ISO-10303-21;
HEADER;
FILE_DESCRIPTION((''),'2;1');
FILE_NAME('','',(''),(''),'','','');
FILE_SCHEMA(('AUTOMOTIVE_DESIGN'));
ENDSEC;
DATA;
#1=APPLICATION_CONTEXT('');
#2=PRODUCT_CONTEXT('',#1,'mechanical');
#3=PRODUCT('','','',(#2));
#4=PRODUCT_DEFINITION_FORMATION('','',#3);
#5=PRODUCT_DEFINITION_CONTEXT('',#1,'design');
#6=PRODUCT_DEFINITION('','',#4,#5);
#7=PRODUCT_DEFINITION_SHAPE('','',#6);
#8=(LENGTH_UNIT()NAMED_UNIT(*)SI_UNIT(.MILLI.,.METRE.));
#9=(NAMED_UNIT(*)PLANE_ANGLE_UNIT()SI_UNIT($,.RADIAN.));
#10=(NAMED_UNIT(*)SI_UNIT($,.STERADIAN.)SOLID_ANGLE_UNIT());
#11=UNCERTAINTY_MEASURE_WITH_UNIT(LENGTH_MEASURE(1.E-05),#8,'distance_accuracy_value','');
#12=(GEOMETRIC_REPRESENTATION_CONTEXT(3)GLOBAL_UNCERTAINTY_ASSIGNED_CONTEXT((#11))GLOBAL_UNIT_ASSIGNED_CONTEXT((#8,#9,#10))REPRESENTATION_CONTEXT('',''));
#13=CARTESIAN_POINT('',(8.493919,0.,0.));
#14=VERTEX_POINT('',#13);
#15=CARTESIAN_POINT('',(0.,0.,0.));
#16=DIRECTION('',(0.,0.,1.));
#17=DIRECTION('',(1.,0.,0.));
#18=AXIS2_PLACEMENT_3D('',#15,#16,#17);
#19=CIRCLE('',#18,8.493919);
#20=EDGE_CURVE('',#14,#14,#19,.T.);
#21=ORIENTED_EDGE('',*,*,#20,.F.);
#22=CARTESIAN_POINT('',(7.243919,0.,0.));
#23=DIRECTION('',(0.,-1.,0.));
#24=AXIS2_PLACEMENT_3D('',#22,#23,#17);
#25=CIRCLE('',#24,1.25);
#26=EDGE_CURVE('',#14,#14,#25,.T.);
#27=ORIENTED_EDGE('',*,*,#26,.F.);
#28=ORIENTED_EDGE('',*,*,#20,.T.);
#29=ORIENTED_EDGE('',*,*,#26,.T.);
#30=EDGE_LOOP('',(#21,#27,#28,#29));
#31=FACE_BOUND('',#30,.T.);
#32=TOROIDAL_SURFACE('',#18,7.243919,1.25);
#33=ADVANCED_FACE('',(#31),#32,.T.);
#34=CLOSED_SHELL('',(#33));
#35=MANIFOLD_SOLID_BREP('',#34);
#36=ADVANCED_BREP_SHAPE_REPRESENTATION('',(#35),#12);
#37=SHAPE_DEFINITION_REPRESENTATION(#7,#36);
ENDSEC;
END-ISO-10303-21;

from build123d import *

# Parameters (mm, degrees)
F1_R = 1.25


with BuildPart() as f2:
    # F2: sweep along a path in F0
    with BuildLine(Plane.XY) as f2_path:
        CenterArc((0, 0), 7.25, 0, 360)
    # F1 (on Right) → F2 (sweep)
    with BuildSketch(Plane.YZ):
        with Locations((7.2439193822, 0)):
            Circle(F1_R)
    sweep(path=f2_path.line)


solid = f2.part
